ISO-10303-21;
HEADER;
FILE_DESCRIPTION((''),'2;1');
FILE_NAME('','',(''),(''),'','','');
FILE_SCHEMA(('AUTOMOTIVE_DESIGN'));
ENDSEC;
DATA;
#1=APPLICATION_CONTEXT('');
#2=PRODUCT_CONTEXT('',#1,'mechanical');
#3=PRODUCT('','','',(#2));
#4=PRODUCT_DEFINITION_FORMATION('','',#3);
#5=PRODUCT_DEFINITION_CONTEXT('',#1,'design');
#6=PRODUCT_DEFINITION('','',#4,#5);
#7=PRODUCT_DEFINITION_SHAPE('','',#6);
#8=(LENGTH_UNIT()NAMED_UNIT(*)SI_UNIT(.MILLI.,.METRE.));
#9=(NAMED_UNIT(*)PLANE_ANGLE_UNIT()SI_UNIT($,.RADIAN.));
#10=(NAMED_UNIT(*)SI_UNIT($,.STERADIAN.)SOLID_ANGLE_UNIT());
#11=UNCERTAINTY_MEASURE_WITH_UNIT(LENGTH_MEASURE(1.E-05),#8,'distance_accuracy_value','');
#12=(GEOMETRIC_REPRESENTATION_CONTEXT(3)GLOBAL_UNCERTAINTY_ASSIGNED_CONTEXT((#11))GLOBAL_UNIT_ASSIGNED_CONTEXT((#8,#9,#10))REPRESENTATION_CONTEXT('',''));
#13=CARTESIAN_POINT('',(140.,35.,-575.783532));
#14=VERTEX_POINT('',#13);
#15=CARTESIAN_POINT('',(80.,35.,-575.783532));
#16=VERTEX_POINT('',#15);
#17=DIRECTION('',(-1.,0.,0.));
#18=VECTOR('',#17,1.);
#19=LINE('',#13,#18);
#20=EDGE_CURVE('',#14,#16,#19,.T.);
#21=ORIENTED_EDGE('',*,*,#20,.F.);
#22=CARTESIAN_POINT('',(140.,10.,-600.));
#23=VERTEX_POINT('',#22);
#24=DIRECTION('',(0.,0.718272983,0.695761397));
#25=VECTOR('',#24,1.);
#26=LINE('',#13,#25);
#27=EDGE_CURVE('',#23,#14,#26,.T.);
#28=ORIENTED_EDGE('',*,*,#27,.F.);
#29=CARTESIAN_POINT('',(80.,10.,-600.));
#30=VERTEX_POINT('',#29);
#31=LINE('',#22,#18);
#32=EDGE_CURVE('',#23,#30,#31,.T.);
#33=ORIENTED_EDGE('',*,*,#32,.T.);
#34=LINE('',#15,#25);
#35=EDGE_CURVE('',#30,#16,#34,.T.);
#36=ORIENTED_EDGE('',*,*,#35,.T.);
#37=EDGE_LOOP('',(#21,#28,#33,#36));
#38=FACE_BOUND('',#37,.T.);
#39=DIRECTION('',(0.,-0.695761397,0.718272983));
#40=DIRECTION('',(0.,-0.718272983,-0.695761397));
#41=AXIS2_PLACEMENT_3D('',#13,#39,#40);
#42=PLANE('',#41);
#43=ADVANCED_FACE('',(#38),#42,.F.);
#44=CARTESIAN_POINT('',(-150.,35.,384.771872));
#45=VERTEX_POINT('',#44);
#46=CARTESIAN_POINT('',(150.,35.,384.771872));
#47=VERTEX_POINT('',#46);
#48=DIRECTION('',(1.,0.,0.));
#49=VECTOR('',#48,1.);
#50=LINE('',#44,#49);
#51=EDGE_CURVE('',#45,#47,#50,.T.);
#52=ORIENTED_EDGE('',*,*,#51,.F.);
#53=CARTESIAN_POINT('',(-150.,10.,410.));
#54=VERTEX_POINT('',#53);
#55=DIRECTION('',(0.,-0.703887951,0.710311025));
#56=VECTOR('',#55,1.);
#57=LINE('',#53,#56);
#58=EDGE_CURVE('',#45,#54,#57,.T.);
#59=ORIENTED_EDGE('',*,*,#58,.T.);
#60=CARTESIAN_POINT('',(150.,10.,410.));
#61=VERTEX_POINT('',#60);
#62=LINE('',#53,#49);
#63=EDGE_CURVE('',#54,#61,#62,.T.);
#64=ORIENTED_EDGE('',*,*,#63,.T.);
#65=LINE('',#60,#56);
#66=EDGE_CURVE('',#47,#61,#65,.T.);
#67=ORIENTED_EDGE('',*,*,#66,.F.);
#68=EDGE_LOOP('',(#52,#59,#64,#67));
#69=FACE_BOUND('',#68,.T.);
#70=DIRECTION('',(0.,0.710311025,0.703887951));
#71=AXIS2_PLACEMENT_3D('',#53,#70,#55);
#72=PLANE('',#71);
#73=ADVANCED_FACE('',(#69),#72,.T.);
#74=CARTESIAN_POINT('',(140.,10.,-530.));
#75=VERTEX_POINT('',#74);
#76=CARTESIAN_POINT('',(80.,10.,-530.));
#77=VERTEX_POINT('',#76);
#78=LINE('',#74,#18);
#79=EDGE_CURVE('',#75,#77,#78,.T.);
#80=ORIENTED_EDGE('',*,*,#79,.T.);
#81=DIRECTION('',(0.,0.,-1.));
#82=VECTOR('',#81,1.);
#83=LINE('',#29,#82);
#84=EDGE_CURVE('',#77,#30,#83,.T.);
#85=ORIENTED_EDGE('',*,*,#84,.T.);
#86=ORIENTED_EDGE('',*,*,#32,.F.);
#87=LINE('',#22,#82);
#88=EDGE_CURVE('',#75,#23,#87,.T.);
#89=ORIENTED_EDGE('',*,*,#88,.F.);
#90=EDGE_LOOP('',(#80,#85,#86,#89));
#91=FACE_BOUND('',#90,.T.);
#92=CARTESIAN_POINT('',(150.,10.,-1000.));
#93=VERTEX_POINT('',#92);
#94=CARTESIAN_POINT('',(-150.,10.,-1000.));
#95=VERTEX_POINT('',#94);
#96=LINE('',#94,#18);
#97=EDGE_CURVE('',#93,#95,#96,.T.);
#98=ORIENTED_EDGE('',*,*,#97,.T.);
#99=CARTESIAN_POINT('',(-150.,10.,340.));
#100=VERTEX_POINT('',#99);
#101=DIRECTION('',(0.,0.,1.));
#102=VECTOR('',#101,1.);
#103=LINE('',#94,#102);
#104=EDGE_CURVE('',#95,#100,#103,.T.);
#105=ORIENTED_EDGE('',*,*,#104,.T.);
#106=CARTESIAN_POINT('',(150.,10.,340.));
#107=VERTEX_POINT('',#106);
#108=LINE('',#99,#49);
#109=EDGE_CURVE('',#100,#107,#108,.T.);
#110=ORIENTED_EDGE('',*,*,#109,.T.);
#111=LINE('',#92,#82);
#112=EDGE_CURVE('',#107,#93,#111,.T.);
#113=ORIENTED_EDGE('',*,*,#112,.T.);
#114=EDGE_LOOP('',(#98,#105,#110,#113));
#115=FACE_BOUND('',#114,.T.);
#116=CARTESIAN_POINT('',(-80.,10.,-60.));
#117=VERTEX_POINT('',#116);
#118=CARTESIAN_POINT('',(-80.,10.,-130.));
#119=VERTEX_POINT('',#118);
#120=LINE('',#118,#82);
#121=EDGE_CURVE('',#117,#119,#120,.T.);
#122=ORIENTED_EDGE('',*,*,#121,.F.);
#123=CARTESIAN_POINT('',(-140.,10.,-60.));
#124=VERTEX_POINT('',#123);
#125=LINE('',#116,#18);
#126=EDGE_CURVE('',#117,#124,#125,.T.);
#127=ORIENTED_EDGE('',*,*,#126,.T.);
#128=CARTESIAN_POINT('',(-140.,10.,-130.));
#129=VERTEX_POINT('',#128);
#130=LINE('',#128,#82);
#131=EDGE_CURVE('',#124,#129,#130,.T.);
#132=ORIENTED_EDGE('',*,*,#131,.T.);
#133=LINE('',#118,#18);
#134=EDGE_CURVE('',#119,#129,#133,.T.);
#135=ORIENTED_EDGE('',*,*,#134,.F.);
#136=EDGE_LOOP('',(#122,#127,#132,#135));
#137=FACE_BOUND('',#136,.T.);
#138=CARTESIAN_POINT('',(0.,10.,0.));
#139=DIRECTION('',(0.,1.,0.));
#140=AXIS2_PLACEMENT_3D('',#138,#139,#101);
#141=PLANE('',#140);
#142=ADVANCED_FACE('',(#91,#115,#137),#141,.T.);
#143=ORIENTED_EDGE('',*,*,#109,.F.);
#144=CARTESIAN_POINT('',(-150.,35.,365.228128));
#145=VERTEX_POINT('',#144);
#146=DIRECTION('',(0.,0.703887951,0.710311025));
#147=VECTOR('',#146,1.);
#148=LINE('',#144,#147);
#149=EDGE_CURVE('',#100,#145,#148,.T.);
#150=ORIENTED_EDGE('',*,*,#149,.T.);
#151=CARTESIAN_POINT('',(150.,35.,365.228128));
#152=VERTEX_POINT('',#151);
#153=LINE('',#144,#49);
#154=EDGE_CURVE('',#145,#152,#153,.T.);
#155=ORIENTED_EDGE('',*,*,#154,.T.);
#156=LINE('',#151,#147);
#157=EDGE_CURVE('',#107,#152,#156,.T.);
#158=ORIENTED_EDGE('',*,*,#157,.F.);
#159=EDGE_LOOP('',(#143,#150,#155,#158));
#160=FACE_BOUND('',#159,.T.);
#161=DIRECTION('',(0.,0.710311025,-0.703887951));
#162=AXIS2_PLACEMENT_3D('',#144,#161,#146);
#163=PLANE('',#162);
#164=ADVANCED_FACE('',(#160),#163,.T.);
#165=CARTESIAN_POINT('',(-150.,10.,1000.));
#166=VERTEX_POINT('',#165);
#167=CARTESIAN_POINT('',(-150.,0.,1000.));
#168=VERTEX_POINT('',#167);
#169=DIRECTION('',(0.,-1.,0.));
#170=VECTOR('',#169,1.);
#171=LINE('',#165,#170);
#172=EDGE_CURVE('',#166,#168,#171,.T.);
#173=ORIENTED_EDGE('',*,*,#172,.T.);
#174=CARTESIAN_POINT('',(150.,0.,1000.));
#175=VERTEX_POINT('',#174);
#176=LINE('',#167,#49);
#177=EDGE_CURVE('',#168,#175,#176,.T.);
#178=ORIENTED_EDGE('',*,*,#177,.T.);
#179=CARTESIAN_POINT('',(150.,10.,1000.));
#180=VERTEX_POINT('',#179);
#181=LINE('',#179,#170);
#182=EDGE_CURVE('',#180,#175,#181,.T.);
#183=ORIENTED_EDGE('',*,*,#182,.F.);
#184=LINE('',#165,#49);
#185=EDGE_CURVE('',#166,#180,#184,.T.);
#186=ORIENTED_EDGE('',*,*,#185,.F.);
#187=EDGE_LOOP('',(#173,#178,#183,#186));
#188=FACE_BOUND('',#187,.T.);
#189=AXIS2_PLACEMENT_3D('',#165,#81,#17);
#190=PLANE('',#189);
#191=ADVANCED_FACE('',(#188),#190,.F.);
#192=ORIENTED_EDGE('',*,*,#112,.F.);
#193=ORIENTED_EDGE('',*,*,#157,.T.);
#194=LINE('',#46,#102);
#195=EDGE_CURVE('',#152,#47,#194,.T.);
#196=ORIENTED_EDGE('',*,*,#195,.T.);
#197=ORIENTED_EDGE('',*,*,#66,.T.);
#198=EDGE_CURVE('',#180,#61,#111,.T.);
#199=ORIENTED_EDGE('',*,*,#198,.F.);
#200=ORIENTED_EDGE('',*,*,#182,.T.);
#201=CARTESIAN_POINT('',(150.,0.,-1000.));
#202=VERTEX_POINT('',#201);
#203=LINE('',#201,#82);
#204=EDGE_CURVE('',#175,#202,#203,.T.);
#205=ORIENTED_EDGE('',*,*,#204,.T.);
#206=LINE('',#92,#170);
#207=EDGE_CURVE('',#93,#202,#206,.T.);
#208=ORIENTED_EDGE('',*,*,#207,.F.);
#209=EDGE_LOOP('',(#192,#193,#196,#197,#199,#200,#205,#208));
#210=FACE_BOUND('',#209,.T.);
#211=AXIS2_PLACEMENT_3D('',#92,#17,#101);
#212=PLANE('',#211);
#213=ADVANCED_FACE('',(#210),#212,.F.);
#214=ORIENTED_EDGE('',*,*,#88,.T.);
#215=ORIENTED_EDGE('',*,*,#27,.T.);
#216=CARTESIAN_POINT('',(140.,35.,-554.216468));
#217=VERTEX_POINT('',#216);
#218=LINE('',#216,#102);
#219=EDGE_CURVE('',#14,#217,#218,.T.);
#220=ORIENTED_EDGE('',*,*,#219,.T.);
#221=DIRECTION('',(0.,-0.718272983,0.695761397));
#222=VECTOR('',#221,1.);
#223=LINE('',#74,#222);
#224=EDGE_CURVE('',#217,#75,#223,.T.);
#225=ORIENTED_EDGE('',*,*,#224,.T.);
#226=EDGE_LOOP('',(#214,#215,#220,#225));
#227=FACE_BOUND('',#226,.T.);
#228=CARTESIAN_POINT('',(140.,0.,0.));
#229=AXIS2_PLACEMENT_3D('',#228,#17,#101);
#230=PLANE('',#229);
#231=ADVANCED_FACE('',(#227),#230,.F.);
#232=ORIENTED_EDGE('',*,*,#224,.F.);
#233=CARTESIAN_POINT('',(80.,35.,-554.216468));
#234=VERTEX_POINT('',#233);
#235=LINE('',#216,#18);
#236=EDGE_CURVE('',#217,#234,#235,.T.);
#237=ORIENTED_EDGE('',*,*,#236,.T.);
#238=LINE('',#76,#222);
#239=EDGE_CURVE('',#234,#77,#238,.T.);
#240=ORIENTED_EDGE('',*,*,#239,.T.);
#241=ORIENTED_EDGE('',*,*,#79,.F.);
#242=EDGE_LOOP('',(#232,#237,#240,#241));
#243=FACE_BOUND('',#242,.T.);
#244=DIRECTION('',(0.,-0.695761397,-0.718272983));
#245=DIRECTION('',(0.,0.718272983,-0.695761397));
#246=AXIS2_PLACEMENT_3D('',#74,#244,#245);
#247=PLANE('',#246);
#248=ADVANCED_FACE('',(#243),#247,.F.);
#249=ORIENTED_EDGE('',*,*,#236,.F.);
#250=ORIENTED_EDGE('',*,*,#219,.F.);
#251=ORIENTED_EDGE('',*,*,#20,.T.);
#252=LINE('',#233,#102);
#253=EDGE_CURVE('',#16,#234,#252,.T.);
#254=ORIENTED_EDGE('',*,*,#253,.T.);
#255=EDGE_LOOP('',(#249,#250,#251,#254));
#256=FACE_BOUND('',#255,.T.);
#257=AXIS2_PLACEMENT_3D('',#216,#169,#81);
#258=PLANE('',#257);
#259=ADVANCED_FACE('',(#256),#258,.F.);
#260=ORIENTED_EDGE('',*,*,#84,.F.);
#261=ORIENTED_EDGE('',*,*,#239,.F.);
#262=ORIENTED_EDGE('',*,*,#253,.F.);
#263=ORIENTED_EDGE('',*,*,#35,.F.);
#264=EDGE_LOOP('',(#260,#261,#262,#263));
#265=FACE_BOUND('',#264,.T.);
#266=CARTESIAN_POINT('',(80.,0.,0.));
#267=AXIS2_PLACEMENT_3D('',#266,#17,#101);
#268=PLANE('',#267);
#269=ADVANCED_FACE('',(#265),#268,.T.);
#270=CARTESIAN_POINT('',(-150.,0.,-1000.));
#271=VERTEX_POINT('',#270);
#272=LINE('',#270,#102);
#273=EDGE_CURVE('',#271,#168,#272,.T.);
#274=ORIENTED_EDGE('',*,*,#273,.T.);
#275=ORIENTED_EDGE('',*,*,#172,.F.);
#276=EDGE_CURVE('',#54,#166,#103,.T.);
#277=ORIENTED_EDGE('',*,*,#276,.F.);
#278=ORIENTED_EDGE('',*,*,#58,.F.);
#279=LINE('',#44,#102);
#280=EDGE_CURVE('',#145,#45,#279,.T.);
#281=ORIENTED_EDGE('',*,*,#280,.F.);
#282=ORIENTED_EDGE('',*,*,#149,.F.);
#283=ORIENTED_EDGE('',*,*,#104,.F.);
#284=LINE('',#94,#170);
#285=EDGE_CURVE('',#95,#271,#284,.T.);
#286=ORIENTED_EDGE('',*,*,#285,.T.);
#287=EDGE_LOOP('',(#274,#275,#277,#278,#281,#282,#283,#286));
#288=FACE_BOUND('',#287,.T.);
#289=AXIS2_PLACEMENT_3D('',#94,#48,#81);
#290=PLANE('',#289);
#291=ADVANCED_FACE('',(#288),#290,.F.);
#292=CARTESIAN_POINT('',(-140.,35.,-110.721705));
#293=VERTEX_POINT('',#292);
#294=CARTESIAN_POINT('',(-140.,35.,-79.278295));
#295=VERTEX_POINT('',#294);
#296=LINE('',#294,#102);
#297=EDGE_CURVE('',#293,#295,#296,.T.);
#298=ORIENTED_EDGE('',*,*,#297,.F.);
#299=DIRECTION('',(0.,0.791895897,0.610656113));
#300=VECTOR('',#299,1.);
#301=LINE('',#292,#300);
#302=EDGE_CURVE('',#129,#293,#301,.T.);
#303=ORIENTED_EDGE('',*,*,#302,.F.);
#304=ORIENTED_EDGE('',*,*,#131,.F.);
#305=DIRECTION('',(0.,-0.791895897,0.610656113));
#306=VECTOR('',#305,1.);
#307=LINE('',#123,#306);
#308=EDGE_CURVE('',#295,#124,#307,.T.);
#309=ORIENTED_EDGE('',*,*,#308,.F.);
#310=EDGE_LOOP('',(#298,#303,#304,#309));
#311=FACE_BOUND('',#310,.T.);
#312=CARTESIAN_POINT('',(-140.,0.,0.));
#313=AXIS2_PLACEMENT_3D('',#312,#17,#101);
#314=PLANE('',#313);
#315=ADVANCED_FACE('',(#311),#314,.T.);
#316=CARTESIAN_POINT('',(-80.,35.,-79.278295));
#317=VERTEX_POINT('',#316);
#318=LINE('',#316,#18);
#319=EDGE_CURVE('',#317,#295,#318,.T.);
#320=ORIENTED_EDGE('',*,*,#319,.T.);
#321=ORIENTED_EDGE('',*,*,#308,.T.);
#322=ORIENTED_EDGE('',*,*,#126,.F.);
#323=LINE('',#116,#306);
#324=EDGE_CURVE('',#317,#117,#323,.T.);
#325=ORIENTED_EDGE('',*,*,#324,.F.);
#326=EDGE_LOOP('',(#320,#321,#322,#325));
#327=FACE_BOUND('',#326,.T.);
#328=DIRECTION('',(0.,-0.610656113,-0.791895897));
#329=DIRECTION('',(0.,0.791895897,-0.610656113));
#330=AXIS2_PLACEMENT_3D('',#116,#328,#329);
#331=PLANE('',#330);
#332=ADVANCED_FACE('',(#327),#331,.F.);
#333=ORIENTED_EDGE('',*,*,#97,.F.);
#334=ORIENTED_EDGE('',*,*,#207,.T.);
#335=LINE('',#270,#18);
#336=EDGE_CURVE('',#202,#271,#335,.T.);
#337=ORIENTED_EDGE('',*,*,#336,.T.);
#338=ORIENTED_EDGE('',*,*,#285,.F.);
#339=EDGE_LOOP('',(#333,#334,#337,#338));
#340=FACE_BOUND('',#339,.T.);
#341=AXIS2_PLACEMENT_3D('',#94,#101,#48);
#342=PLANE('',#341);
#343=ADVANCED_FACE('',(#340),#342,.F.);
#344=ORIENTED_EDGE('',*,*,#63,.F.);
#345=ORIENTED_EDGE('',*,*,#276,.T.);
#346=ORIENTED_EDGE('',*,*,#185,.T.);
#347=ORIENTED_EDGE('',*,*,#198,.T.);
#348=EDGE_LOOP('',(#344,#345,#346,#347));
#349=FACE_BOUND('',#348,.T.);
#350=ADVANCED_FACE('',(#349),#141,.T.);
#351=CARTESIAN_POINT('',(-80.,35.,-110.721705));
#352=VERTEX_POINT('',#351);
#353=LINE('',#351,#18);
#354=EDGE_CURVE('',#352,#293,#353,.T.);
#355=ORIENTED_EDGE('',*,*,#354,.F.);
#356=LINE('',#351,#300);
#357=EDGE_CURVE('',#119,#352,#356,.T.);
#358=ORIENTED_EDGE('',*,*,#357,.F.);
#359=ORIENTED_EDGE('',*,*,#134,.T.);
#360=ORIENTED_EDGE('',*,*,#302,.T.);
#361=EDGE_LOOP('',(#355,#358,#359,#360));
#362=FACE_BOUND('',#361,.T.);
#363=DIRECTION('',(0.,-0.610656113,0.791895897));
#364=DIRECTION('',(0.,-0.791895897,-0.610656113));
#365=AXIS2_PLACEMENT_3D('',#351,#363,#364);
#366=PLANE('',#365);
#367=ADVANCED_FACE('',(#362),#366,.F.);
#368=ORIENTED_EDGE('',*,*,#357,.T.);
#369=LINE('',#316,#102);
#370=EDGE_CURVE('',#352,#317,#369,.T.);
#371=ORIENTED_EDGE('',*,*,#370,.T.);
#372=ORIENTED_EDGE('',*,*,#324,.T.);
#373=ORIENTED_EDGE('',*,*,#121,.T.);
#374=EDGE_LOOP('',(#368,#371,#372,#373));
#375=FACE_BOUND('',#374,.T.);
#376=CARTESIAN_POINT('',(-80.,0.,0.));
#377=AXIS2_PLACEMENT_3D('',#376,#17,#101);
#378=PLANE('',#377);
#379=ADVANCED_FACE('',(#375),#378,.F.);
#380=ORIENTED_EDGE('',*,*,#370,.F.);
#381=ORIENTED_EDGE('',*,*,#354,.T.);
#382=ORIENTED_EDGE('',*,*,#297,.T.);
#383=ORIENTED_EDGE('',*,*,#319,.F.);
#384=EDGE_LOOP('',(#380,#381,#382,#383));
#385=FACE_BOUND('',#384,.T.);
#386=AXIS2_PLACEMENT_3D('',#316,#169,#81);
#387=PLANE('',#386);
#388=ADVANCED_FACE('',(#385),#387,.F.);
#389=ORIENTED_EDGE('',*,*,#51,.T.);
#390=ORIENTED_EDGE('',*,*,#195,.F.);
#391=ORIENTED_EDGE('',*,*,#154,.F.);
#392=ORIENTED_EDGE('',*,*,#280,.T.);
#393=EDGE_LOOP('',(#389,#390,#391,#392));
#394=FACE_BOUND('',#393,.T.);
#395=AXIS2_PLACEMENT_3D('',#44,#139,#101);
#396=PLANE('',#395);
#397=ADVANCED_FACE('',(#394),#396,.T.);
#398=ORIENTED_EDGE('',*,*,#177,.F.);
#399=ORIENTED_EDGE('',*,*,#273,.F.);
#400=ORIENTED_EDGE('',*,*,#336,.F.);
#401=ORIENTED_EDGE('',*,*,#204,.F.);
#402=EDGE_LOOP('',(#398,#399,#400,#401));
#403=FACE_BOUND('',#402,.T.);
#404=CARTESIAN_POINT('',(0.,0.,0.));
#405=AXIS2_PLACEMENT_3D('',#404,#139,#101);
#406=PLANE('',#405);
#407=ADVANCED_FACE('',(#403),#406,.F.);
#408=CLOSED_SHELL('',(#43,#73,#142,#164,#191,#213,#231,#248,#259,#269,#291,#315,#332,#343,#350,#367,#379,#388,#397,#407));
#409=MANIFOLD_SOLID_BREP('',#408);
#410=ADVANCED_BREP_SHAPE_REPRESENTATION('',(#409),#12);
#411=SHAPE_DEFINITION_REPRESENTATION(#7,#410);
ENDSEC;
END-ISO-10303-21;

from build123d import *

# Parameters (mm, degrees)
SKETCH1_W                = 300
SKETCH1_H                = 2000
BOSS_EXTRUDE1_DEPTH      = 10
BOSS_EXTRUDE2_START      = 80
BOSS_EXTRUDE2_DEPTH      = 60
BOSS_EXTRUDE3_START      = -140
BOSS_EXTRUDE3_DEPTH      = 60
BOSS_EXTRUDE4_DEPTH      = 150
BOSS_EXTRUDE4_DEPTH_BACK = 150


with BuildPart() as part:
    # Sketch1 → Boss-Extrude1 (new body)
    with BuildSketch(Plane(origin=(0, 0, 0), x_dir=(1, 0, 0), z_dir=(0, 1, 0))):
        Rectangle(SKETCH1_W, SKETCH1_H)
    extrude(amount=BOSS_EXTRUDE1_DEPTH)

    # Sketch2 → Boss-Extrude2 (add)
    with BuildSketch(Plane(origin=(0, 0, 0), x_dir=(0, 0, -1), z_dir=(1, 0, 0)).offset(BOSS_EXTRUDE2_START)):
        Polygon((530, 10), (554.216468309, 35), (575.783531691, 35), (600, 10), align=None)
    extrude(amount=BOSS_EXTRUDE2_DEPTH)

    # Sketch3 → Boss-Extrude3 (add)
    with BuildSketch(Plane(origin=(0, 0, 0), x_dir=(0, 0, -1), z_dir=(1, 0, 0)).offset(BOSS_EXTRUDE3_START)):
        Polygon((60, 10), (79.278295144, 35), (110.721704856, 35), (130, 10), align=None)
    extrude(amount=BOSS_EXTRUDE3_DEPTH)

    # Sketch4 → Boss-Extrude4 (add, two sides: drawn at the far end of the back side and taken through both)
    with BuildSketch(Plane(origin=(0, 0, 0), x_dir=(0, 0, -1), z_dir=(1, 0, 0)).offset(-BOSS_EXTRUDE4_DEPTH_BACK)):
        Polygon((-410, 10), (-384.771871556, 35), (-365.228128444, 35), (-340, 10), align=None)
    extrude(amount=BOSS_EXTRUDE4_DEPTH + BOSS_EXTRUDE4_DEPTH_BACK)


solid = part.part
